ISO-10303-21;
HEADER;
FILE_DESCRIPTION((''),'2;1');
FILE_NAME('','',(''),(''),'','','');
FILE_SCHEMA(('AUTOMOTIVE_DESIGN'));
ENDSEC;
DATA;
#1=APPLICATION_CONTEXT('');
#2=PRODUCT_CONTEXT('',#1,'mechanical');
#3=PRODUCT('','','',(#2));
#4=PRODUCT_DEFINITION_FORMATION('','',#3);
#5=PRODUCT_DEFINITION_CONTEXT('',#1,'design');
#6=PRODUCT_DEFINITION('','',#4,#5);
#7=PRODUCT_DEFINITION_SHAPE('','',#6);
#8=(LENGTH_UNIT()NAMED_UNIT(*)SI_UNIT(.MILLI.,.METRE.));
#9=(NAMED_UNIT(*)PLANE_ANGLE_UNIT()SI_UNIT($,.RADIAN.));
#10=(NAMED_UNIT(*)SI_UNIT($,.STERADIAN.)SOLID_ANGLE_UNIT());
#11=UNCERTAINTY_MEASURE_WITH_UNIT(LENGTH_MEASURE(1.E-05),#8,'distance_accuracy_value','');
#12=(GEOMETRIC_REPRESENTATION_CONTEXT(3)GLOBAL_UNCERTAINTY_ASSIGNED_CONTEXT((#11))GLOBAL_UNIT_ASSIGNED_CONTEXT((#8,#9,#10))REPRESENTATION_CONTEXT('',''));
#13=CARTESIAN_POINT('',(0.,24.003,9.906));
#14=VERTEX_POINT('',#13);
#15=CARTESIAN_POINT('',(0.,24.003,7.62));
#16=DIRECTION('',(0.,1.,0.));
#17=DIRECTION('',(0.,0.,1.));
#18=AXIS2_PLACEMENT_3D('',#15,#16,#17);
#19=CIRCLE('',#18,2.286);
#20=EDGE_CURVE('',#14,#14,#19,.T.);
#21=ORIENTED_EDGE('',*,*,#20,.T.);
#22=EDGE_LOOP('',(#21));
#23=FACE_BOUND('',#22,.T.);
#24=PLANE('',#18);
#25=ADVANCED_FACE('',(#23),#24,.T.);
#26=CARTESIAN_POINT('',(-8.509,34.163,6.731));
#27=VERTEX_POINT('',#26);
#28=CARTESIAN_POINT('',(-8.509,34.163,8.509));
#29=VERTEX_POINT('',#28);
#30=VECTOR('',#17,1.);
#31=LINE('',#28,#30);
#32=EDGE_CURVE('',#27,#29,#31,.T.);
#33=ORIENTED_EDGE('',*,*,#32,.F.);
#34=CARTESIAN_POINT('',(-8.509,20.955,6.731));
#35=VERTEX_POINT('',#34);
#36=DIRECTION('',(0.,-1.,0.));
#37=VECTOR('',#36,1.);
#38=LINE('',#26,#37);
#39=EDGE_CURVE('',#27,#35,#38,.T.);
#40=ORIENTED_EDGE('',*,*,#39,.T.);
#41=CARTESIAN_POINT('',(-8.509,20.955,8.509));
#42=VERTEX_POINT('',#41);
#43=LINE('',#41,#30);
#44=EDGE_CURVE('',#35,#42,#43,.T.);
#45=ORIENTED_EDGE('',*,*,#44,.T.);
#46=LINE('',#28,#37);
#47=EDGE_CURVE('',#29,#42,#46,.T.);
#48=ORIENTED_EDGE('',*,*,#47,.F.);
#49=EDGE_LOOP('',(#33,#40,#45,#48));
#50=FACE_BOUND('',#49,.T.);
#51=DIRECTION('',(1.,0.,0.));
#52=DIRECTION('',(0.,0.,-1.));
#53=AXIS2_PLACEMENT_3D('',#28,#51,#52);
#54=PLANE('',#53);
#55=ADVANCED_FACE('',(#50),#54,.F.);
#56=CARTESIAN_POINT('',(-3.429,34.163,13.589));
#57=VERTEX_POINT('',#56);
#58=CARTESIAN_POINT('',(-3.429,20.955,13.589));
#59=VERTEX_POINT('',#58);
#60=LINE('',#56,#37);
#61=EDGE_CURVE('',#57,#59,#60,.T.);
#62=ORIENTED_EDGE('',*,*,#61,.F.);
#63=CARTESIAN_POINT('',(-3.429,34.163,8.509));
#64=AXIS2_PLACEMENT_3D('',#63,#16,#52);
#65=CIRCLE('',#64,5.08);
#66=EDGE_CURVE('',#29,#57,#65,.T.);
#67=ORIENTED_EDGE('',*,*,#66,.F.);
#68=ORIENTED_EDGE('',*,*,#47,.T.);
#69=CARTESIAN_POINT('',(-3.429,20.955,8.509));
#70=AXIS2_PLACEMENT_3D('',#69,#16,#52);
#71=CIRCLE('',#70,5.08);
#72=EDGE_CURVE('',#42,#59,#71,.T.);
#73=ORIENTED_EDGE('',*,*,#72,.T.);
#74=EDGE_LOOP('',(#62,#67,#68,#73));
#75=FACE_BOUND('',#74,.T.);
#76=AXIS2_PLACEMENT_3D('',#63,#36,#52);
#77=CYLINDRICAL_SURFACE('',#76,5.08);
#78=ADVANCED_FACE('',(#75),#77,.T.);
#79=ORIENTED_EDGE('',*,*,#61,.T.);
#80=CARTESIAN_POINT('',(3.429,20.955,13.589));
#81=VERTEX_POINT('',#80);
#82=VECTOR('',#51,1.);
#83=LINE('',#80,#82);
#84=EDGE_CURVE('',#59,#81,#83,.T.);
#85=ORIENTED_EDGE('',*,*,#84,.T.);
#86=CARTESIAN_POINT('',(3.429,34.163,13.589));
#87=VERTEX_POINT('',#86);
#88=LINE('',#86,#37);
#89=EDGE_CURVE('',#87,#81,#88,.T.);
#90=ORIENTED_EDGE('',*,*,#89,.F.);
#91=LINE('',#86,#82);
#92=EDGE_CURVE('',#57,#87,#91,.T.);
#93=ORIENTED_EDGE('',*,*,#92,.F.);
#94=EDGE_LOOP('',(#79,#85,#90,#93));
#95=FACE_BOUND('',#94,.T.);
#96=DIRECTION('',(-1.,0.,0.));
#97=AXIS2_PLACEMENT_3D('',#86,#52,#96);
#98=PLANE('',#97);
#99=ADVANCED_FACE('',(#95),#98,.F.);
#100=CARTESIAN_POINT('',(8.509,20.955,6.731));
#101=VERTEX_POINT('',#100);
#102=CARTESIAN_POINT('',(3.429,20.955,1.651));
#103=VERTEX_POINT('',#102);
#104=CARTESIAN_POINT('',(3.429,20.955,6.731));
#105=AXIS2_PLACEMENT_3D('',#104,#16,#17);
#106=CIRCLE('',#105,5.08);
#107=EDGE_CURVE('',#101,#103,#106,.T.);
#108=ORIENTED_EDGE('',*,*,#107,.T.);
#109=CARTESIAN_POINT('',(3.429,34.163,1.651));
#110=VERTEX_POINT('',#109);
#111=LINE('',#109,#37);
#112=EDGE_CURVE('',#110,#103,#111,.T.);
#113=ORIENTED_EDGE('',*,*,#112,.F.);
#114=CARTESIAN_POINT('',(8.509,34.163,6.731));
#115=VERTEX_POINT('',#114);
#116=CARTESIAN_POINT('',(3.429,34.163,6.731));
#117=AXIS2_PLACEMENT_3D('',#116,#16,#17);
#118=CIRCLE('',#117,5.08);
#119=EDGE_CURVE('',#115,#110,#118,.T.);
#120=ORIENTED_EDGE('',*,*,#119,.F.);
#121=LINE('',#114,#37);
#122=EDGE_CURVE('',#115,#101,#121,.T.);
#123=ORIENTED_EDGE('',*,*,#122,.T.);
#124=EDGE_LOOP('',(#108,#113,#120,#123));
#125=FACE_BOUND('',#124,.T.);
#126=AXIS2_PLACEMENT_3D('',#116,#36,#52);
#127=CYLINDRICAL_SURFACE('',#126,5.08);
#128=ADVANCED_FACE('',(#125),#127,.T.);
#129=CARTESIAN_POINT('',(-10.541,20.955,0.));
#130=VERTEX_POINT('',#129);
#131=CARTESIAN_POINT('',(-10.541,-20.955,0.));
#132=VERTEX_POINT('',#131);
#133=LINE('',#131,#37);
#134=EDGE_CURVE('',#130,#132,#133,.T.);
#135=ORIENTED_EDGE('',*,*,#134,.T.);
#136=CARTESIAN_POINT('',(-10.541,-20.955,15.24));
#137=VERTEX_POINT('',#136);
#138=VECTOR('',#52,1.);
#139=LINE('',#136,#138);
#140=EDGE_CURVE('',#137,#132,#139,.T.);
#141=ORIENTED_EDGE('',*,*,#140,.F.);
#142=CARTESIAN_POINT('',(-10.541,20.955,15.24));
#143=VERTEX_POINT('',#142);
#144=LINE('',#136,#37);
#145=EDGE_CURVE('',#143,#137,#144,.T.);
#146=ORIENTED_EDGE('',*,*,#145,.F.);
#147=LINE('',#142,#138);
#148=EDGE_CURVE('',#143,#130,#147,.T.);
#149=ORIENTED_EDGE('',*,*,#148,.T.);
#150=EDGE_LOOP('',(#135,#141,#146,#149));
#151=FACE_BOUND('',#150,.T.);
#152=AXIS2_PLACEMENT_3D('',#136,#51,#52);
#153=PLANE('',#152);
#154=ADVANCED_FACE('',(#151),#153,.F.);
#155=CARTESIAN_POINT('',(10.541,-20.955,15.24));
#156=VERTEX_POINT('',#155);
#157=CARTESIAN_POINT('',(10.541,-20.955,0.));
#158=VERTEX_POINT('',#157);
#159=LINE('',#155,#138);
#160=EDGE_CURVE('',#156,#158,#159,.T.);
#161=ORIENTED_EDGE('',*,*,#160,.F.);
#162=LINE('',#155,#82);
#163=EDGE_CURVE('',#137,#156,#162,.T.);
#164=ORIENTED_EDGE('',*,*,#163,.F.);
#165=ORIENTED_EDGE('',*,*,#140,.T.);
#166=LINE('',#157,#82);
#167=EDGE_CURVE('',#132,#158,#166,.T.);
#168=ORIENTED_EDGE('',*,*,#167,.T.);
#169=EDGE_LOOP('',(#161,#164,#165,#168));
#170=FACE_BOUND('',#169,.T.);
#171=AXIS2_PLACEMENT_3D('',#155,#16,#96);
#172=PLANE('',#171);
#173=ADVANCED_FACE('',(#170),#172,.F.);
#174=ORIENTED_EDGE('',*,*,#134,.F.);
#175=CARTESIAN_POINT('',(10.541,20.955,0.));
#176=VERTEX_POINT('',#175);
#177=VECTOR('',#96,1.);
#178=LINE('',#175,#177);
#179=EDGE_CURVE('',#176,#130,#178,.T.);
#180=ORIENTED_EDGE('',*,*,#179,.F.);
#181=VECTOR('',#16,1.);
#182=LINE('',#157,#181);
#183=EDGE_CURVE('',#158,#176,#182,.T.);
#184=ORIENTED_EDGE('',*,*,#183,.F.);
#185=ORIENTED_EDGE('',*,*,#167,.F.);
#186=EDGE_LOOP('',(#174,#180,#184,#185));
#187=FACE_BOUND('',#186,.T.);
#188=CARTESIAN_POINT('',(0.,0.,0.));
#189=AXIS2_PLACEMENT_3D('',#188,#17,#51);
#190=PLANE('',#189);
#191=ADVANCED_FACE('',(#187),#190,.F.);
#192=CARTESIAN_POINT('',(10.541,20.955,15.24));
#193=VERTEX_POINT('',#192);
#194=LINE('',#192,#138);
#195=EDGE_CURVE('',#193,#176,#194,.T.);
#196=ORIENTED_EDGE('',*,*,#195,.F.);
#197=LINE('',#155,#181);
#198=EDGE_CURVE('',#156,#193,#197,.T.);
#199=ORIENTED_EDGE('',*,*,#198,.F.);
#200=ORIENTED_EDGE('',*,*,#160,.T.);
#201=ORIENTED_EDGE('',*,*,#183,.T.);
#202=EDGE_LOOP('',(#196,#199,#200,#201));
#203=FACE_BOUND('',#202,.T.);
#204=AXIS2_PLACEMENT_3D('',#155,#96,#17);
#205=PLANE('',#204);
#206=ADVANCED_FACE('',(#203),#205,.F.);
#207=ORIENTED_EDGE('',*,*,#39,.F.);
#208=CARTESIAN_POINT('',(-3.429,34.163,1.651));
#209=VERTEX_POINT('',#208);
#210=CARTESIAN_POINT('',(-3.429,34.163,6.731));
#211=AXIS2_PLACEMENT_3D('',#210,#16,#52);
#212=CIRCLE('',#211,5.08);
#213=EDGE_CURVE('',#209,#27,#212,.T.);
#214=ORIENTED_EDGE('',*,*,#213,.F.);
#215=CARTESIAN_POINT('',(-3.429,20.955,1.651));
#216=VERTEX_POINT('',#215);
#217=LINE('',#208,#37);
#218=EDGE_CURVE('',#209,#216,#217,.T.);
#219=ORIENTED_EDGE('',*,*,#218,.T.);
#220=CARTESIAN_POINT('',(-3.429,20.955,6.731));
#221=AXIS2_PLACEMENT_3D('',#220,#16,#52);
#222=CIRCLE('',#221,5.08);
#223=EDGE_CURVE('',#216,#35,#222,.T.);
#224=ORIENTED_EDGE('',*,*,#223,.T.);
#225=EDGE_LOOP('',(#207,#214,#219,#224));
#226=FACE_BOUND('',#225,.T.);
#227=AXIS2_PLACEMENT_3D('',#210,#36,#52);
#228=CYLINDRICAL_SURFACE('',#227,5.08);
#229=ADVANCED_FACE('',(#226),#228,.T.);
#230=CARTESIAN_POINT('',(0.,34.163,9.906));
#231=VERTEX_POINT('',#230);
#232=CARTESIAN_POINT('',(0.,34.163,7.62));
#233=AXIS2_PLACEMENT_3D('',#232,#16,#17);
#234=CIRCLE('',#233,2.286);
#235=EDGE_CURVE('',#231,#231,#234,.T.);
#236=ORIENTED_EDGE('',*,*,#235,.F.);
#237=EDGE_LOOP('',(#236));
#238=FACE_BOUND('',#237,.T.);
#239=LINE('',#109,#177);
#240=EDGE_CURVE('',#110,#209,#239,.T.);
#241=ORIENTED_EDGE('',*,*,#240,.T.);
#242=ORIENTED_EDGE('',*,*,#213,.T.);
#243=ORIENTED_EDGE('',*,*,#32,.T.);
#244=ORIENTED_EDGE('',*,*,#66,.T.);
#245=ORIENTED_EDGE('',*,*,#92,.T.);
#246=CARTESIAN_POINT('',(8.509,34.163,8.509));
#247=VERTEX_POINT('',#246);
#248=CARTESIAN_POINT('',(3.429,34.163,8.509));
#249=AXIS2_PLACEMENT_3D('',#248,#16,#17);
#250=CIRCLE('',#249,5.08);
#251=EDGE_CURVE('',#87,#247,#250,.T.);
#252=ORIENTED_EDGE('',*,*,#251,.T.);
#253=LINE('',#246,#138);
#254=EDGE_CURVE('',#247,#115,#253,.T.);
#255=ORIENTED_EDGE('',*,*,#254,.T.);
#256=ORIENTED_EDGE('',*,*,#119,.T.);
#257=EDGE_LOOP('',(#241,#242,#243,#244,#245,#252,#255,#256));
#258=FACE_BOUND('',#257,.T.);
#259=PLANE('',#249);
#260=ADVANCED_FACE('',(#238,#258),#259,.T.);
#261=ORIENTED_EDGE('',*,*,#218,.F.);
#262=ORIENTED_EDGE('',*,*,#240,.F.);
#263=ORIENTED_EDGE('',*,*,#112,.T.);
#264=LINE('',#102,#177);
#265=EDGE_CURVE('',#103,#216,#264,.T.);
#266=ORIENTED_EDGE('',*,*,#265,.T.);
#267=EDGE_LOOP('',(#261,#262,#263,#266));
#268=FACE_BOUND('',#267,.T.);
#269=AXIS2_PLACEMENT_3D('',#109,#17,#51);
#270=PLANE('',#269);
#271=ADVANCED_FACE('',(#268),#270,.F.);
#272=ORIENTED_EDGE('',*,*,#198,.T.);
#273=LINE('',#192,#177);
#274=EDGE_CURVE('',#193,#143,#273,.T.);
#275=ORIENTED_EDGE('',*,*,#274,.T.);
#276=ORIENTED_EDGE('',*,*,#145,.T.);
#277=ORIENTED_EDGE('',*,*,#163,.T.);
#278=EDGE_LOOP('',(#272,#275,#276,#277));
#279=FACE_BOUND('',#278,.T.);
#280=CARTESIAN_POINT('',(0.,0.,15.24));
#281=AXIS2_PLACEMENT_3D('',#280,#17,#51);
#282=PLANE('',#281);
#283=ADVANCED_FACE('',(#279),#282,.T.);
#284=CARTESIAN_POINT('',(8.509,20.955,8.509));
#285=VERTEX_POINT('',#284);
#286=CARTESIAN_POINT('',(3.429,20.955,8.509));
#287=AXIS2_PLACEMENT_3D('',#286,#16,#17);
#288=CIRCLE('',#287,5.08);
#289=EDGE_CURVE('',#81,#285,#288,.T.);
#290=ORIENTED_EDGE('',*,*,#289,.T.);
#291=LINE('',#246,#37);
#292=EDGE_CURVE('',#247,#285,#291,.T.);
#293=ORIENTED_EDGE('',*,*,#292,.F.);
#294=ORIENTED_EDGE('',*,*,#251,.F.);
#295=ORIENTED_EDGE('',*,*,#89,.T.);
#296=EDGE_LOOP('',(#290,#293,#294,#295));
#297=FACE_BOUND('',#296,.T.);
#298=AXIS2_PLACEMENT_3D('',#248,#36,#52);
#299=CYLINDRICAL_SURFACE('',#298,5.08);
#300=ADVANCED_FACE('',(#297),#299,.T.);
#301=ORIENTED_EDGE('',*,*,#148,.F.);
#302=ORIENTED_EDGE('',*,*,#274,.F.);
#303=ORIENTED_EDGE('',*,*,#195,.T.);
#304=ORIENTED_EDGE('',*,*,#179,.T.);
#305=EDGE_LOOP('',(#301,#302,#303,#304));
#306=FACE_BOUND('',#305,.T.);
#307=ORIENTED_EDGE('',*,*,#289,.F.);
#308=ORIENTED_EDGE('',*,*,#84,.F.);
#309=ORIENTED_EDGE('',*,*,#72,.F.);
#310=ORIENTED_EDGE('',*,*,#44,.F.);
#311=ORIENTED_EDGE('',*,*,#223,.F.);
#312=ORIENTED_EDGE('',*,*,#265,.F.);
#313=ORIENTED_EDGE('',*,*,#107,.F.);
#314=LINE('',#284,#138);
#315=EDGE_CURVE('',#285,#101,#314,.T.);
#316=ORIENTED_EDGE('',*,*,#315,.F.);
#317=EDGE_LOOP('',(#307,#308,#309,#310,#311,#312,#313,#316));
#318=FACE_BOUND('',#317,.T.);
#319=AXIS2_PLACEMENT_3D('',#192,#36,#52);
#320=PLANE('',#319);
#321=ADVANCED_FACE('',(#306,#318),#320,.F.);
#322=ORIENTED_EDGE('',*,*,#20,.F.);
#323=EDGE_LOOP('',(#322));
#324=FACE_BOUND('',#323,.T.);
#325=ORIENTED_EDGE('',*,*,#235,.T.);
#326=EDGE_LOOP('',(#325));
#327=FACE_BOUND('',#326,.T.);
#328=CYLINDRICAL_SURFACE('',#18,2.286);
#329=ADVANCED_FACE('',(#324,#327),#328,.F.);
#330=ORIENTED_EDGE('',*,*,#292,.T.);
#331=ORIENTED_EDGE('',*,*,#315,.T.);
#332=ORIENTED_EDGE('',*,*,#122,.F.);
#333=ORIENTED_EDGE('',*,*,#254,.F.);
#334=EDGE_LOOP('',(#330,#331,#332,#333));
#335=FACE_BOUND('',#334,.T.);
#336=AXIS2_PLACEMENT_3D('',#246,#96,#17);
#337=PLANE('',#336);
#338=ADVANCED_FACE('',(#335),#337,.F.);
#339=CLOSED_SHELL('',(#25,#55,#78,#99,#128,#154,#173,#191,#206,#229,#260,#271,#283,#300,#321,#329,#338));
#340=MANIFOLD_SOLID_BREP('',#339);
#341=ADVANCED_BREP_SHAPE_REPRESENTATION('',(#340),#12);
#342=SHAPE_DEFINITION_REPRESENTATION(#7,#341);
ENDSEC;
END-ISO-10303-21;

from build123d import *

# Parameters (mm, degrees)
SKETCH1_W           = 21.082
SKETCH1_H           = 41.91
BOSS_EXTRUDE1_DEPTH = 15.24
BOSS_EXTRUDE2_DEPTH = 13.208
SKETCH3_R           = 2.286
CUT_EXTRUDE1_DEPTH  = 10.16


with BuildPart() as part:
    # Sketch1 → Boss-Extrude1 (new body)
    with BuildSketch(Plane.XY):
        Rectangle(SKETCH1_W, SKETCH1_H)
    extrude(amount=BOSS_EXTRUDE1_DEPTH)

    # Sketch2 → Boss-Extrude2 (add)
    with BuildSketch(Plane(origin=(0, 20.955, 0), x_dir=(1, 0, 0), z_dir=(0, 1, 0))):
        with BuildLine():
            Line((3.429, -13.589), (-3.429, -13.589))
            ThreePointArc((-3.429, -13.589), (-7.021102448, -12.101102448), (-8.509, -8.509))
            Line((-8.509, -8.509), (-8.509, -6.731))
            ThreePointArc((-8.509, -6.731), (-7.021102448, -3.138897552), (-3.429, -1.651))
            Line((-3.429, -1.651), (3.429, -1.651))
            ThreePointArc((3.429, -1.651), (7.021102448, -3.138897552), (8.509, -6.731))
            Line((8.509, -6.731), (8.509, -8.509))
            ThreePointArc((8.509, -8.509), (7.021102448, -12.101102448), (3.429, -13.589))
        make_face()
    extrude(amount=BOSS_EXTRUDE2_DEPTH)

    # Sketch3 → Cut-Extrude1 (cut)
    with BuildSketch(Plane(origin=(0, 34.163, 0), x_dir=(1, 0, 0), z_dir=(0, 1, 0))):
        with Locations(Location((0, -7.62, 0), (0, 0, 270))):
            Circle(SKETCH3_R)
    extrude(amount=-CUT_EXTRUDE1_DEPTH, mode=Mode.SUBTRACT)


solid = part.part
